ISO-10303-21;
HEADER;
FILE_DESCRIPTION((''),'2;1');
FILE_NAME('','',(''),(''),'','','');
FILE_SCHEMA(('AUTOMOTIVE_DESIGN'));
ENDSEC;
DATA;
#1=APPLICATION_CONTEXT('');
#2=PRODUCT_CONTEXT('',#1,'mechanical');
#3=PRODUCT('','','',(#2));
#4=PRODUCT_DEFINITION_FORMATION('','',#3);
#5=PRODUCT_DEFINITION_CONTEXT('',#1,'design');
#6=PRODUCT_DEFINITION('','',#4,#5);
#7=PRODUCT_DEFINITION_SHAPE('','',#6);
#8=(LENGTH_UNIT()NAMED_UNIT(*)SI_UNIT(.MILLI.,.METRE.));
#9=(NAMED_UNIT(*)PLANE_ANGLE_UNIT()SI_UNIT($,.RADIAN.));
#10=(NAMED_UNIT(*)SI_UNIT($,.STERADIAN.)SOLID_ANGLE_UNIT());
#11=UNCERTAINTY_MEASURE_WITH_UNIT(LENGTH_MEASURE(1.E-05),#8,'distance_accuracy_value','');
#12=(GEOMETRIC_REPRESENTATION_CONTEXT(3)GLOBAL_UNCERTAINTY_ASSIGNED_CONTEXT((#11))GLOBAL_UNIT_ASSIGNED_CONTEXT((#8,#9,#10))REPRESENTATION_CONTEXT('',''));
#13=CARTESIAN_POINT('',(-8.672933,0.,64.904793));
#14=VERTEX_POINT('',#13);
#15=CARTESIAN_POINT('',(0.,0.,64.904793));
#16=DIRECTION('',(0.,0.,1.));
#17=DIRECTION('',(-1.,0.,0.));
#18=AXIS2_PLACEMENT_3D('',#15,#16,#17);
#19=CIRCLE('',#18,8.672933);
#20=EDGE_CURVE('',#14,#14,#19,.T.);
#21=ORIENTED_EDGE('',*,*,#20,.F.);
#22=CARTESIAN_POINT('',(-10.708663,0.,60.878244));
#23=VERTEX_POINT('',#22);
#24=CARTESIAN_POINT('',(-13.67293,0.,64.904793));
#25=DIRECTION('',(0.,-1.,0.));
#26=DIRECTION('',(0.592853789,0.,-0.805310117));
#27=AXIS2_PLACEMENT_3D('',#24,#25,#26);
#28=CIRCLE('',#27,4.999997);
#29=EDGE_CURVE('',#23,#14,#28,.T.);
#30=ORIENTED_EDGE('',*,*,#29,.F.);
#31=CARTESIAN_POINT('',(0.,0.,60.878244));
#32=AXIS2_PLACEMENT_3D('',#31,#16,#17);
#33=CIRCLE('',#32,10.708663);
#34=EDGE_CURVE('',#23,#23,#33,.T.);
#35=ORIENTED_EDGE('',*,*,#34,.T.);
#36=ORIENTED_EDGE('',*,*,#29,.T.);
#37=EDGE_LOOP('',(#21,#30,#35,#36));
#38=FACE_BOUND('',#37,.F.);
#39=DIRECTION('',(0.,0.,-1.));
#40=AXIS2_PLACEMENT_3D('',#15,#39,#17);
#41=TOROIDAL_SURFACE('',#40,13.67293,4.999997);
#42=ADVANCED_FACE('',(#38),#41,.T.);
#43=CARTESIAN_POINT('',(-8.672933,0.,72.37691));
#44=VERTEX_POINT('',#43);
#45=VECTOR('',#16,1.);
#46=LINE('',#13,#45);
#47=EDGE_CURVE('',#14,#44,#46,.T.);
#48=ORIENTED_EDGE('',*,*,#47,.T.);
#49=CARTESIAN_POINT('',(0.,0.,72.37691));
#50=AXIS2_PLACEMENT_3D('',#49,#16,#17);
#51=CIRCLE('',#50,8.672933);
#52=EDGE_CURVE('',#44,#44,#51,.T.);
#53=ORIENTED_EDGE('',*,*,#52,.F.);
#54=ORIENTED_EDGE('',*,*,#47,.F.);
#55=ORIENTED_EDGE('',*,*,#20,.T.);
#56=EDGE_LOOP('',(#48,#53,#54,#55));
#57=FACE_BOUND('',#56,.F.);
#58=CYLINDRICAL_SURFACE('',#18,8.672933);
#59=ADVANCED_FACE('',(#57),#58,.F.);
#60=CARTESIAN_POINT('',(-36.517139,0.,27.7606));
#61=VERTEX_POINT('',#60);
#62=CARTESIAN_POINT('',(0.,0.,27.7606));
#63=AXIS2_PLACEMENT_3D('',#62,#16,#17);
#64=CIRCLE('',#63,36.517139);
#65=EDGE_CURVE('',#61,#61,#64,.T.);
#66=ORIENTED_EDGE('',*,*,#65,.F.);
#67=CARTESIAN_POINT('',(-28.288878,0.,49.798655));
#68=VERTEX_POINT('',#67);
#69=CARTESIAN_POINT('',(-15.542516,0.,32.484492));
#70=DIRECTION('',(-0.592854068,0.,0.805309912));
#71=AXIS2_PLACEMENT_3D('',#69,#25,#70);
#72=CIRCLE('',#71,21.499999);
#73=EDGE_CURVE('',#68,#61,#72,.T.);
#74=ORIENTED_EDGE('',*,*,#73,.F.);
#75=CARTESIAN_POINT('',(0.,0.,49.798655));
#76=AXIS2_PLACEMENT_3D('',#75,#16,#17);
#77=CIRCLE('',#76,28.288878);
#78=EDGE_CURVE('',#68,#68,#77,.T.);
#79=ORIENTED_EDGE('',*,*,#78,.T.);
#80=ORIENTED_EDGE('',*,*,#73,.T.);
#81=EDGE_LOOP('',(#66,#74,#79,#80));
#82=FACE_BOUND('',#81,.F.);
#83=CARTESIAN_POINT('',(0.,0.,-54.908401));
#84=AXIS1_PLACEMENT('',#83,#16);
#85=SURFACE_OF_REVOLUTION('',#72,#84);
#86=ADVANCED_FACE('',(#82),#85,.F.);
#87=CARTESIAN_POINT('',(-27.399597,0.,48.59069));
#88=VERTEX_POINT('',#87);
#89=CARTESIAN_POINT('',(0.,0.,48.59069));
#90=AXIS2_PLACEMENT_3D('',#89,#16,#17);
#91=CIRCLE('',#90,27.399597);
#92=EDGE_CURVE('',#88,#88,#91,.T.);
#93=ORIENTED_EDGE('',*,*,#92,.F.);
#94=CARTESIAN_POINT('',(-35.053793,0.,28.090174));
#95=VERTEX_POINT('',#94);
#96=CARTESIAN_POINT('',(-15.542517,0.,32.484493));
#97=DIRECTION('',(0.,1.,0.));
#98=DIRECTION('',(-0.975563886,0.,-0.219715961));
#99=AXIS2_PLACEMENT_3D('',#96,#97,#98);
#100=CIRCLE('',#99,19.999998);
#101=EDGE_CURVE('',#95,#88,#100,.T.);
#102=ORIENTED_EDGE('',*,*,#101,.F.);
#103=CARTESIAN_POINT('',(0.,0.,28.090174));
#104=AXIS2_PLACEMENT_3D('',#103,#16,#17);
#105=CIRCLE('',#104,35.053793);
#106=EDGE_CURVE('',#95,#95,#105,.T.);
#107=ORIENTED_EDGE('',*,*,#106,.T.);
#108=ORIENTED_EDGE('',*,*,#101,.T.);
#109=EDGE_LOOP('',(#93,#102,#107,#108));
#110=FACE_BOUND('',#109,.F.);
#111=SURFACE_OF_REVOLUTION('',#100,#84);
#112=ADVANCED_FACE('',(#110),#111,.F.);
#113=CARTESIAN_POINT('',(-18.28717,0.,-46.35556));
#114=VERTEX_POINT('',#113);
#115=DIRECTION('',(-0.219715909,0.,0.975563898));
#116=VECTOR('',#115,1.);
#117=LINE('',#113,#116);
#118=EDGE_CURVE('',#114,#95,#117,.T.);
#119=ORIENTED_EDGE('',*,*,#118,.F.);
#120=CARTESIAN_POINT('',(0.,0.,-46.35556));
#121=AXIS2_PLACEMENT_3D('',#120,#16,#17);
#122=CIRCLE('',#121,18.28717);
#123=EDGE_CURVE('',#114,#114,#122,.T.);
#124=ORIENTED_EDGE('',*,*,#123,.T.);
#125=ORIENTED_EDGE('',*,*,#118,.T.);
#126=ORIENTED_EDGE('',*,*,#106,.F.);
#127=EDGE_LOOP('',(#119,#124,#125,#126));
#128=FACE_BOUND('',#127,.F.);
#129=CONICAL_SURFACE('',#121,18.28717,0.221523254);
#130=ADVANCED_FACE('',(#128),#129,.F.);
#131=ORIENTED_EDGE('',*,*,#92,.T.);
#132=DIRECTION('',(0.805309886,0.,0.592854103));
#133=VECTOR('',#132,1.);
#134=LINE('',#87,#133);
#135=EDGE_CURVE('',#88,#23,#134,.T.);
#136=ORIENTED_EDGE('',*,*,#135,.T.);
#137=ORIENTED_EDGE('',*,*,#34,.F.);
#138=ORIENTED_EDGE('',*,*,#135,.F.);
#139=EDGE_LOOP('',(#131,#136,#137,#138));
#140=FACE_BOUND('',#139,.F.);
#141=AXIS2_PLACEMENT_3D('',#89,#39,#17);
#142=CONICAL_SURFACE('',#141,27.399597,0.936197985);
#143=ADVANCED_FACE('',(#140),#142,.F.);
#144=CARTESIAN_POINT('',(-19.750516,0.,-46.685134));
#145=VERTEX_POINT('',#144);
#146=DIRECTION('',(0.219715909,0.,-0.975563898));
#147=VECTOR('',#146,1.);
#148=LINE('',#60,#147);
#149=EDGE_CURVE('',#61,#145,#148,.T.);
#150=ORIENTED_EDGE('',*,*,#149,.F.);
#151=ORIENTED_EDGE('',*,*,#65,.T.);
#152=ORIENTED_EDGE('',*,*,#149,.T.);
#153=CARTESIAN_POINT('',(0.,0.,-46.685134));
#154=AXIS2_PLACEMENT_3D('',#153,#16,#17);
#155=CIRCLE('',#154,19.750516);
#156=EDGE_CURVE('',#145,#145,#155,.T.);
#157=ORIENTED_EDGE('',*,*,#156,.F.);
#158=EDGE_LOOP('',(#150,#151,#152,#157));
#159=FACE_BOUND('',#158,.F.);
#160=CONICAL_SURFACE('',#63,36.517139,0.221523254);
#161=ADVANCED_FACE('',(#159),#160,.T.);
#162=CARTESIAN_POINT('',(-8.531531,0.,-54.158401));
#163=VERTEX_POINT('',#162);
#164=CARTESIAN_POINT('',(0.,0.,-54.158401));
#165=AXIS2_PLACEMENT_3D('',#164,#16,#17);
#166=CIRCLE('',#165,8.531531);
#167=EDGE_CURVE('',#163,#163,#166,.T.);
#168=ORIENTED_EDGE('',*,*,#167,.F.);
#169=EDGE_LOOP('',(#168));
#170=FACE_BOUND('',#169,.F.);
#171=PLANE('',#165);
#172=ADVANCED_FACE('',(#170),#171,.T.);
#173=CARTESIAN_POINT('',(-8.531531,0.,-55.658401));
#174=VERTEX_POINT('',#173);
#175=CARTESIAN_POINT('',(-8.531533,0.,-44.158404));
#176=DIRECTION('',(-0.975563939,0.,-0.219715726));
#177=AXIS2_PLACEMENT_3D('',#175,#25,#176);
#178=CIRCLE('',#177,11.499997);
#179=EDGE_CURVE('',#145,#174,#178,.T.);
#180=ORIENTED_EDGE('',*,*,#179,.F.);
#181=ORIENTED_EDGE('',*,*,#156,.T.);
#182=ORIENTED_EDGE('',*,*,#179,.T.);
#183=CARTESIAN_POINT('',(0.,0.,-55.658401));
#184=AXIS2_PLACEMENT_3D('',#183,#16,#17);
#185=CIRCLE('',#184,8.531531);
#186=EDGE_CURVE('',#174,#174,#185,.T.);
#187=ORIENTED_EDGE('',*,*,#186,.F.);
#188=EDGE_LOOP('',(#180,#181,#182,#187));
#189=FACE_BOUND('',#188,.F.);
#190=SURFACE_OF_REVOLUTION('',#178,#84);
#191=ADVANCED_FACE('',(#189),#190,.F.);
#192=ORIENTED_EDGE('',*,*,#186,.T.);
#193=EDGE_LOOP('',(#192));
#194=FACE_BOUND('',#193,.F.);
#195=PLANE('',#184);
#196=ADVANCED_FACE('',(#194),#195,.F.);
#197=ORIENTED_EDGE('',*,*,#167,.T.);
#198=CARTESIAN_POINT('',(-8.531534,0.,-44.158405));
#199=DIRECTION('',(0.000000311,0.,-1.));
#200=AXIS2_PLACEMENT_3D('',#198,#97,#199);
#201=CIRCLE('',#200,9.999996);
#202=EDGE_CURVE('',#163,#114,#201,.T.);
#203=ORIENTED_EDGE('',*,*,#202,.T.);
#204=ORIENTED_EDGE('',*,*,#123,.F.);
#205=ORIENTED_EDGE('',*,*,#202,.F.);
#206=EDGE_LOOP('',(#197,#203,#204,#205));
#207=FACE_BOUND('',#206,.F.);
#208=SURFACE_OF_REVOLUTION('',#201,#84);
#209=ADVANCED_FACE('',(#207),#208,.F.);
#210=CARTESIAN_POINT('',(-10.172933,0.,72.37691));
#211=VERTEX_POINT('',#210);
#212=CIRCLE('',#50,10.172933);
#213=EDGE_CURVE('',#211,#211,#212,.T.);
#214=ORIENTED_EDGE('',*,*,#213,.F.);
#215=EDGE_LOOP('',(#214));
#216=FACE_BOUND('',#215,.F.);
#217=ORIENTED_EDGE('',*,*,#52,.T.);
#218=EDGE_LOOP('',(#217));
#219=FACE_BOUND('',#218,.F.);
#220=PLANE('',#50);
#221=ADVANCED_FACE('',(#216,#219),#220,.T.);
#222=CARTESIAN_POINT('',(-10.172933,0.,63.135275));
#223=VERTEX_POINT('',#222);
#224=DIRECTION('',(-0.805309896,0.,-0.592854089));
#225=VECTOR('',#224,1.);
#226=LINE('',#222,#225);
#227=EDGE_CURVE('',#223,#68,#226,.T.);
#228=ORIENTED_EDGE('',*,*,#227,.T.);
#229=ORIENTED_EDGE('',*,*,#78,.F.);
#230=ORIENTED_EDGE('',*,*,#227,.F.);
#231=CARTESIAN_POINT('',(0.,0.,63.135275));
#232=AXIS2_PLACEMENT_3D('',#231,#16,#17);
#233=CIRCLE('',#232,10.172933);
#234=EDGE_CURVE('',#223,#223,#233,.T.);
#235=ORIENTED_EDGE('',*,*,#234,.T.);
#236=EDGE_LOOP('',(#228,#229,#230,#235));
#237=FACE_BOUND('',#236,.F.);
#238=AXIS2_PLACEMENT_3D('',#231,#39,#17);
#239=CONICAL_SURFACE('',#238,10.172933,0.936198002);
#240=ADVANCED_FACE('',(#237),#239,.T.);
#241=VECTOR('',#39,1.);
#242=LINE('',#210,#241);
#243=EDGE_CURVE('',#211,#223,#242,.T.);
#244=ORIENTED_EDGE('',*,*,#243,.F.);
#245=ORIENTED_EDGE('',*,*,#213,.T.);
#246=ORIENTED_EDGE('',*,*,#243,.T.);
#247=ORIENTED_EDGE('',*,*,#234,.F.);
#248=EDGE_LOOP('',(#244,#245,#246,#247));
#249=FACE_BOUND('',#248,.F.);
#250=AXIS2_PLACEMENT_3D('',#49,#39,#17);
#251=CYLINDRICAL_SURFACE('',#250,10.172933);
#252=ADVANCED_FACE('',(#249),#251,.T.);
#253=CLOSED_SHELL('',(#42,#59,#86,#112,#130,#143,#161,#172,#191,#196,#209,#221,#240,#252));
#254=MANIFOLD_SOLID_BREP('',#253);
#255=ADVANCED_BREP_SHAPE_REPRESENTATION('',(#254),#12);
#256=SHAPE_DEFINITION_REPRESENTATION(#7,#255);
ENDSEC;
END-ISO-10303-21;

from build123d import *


with BuildPart() as f1:
    # F0 (on Front) → F1 (revolve)
    with BuildSketch(Plane.XZ):
        with BuildLine():
            Line((-8.672933, 64.904793), (-8.672933, 72.37691))
            Line((-8.672933, 72.37691), (-10.172933, 72.37691))
            Line((-10.172933, 72.37691), (-10.172933, 63.135275))
            Line((-10.172933, 63.135275), (-28.288878, 49.798655))
            ThreePointArc((-28.288878, 49.798655), (-35.684392, 40.004785), (-36.517139, 27.7606))
            Line((-36.517139, 27.7606), (-19.750516, -46.685134))
            ThreePointArc((-19.750516, -46.685134), (-15.714587, -53.139143), (-8.531531, -55.658401))
            Line((-8.531531, -55.658401), (0, -55.658401))
            Line((0, -55.658401), (0, -54.158401))
            Line((0, -54.158401), (-8.531531, -54.158401))
            ThreePointArc((-8.531531, -54.158401), (-14.777667, -51.967742), (-18.28717, -46.35556))
            Line((-18.28717, -46.35556), (-35.053793, 28.090174))
            ThreePointArc((-35.053793, 28.090174), (-34.279145, 39.480113), (-27.399597, 48.59069))
            Line((-27.399597, 48.59069), (-10.708663, 60.878244))
            ThreePointArc((-10.708663, 60.878244), (-9.210795, 62.64884), (-8.672933, 64.904793))
        make_face()
    revolve(axis=Axis((0, 0, -54.908401), (0, 0, 1)))


solid = f1.part
